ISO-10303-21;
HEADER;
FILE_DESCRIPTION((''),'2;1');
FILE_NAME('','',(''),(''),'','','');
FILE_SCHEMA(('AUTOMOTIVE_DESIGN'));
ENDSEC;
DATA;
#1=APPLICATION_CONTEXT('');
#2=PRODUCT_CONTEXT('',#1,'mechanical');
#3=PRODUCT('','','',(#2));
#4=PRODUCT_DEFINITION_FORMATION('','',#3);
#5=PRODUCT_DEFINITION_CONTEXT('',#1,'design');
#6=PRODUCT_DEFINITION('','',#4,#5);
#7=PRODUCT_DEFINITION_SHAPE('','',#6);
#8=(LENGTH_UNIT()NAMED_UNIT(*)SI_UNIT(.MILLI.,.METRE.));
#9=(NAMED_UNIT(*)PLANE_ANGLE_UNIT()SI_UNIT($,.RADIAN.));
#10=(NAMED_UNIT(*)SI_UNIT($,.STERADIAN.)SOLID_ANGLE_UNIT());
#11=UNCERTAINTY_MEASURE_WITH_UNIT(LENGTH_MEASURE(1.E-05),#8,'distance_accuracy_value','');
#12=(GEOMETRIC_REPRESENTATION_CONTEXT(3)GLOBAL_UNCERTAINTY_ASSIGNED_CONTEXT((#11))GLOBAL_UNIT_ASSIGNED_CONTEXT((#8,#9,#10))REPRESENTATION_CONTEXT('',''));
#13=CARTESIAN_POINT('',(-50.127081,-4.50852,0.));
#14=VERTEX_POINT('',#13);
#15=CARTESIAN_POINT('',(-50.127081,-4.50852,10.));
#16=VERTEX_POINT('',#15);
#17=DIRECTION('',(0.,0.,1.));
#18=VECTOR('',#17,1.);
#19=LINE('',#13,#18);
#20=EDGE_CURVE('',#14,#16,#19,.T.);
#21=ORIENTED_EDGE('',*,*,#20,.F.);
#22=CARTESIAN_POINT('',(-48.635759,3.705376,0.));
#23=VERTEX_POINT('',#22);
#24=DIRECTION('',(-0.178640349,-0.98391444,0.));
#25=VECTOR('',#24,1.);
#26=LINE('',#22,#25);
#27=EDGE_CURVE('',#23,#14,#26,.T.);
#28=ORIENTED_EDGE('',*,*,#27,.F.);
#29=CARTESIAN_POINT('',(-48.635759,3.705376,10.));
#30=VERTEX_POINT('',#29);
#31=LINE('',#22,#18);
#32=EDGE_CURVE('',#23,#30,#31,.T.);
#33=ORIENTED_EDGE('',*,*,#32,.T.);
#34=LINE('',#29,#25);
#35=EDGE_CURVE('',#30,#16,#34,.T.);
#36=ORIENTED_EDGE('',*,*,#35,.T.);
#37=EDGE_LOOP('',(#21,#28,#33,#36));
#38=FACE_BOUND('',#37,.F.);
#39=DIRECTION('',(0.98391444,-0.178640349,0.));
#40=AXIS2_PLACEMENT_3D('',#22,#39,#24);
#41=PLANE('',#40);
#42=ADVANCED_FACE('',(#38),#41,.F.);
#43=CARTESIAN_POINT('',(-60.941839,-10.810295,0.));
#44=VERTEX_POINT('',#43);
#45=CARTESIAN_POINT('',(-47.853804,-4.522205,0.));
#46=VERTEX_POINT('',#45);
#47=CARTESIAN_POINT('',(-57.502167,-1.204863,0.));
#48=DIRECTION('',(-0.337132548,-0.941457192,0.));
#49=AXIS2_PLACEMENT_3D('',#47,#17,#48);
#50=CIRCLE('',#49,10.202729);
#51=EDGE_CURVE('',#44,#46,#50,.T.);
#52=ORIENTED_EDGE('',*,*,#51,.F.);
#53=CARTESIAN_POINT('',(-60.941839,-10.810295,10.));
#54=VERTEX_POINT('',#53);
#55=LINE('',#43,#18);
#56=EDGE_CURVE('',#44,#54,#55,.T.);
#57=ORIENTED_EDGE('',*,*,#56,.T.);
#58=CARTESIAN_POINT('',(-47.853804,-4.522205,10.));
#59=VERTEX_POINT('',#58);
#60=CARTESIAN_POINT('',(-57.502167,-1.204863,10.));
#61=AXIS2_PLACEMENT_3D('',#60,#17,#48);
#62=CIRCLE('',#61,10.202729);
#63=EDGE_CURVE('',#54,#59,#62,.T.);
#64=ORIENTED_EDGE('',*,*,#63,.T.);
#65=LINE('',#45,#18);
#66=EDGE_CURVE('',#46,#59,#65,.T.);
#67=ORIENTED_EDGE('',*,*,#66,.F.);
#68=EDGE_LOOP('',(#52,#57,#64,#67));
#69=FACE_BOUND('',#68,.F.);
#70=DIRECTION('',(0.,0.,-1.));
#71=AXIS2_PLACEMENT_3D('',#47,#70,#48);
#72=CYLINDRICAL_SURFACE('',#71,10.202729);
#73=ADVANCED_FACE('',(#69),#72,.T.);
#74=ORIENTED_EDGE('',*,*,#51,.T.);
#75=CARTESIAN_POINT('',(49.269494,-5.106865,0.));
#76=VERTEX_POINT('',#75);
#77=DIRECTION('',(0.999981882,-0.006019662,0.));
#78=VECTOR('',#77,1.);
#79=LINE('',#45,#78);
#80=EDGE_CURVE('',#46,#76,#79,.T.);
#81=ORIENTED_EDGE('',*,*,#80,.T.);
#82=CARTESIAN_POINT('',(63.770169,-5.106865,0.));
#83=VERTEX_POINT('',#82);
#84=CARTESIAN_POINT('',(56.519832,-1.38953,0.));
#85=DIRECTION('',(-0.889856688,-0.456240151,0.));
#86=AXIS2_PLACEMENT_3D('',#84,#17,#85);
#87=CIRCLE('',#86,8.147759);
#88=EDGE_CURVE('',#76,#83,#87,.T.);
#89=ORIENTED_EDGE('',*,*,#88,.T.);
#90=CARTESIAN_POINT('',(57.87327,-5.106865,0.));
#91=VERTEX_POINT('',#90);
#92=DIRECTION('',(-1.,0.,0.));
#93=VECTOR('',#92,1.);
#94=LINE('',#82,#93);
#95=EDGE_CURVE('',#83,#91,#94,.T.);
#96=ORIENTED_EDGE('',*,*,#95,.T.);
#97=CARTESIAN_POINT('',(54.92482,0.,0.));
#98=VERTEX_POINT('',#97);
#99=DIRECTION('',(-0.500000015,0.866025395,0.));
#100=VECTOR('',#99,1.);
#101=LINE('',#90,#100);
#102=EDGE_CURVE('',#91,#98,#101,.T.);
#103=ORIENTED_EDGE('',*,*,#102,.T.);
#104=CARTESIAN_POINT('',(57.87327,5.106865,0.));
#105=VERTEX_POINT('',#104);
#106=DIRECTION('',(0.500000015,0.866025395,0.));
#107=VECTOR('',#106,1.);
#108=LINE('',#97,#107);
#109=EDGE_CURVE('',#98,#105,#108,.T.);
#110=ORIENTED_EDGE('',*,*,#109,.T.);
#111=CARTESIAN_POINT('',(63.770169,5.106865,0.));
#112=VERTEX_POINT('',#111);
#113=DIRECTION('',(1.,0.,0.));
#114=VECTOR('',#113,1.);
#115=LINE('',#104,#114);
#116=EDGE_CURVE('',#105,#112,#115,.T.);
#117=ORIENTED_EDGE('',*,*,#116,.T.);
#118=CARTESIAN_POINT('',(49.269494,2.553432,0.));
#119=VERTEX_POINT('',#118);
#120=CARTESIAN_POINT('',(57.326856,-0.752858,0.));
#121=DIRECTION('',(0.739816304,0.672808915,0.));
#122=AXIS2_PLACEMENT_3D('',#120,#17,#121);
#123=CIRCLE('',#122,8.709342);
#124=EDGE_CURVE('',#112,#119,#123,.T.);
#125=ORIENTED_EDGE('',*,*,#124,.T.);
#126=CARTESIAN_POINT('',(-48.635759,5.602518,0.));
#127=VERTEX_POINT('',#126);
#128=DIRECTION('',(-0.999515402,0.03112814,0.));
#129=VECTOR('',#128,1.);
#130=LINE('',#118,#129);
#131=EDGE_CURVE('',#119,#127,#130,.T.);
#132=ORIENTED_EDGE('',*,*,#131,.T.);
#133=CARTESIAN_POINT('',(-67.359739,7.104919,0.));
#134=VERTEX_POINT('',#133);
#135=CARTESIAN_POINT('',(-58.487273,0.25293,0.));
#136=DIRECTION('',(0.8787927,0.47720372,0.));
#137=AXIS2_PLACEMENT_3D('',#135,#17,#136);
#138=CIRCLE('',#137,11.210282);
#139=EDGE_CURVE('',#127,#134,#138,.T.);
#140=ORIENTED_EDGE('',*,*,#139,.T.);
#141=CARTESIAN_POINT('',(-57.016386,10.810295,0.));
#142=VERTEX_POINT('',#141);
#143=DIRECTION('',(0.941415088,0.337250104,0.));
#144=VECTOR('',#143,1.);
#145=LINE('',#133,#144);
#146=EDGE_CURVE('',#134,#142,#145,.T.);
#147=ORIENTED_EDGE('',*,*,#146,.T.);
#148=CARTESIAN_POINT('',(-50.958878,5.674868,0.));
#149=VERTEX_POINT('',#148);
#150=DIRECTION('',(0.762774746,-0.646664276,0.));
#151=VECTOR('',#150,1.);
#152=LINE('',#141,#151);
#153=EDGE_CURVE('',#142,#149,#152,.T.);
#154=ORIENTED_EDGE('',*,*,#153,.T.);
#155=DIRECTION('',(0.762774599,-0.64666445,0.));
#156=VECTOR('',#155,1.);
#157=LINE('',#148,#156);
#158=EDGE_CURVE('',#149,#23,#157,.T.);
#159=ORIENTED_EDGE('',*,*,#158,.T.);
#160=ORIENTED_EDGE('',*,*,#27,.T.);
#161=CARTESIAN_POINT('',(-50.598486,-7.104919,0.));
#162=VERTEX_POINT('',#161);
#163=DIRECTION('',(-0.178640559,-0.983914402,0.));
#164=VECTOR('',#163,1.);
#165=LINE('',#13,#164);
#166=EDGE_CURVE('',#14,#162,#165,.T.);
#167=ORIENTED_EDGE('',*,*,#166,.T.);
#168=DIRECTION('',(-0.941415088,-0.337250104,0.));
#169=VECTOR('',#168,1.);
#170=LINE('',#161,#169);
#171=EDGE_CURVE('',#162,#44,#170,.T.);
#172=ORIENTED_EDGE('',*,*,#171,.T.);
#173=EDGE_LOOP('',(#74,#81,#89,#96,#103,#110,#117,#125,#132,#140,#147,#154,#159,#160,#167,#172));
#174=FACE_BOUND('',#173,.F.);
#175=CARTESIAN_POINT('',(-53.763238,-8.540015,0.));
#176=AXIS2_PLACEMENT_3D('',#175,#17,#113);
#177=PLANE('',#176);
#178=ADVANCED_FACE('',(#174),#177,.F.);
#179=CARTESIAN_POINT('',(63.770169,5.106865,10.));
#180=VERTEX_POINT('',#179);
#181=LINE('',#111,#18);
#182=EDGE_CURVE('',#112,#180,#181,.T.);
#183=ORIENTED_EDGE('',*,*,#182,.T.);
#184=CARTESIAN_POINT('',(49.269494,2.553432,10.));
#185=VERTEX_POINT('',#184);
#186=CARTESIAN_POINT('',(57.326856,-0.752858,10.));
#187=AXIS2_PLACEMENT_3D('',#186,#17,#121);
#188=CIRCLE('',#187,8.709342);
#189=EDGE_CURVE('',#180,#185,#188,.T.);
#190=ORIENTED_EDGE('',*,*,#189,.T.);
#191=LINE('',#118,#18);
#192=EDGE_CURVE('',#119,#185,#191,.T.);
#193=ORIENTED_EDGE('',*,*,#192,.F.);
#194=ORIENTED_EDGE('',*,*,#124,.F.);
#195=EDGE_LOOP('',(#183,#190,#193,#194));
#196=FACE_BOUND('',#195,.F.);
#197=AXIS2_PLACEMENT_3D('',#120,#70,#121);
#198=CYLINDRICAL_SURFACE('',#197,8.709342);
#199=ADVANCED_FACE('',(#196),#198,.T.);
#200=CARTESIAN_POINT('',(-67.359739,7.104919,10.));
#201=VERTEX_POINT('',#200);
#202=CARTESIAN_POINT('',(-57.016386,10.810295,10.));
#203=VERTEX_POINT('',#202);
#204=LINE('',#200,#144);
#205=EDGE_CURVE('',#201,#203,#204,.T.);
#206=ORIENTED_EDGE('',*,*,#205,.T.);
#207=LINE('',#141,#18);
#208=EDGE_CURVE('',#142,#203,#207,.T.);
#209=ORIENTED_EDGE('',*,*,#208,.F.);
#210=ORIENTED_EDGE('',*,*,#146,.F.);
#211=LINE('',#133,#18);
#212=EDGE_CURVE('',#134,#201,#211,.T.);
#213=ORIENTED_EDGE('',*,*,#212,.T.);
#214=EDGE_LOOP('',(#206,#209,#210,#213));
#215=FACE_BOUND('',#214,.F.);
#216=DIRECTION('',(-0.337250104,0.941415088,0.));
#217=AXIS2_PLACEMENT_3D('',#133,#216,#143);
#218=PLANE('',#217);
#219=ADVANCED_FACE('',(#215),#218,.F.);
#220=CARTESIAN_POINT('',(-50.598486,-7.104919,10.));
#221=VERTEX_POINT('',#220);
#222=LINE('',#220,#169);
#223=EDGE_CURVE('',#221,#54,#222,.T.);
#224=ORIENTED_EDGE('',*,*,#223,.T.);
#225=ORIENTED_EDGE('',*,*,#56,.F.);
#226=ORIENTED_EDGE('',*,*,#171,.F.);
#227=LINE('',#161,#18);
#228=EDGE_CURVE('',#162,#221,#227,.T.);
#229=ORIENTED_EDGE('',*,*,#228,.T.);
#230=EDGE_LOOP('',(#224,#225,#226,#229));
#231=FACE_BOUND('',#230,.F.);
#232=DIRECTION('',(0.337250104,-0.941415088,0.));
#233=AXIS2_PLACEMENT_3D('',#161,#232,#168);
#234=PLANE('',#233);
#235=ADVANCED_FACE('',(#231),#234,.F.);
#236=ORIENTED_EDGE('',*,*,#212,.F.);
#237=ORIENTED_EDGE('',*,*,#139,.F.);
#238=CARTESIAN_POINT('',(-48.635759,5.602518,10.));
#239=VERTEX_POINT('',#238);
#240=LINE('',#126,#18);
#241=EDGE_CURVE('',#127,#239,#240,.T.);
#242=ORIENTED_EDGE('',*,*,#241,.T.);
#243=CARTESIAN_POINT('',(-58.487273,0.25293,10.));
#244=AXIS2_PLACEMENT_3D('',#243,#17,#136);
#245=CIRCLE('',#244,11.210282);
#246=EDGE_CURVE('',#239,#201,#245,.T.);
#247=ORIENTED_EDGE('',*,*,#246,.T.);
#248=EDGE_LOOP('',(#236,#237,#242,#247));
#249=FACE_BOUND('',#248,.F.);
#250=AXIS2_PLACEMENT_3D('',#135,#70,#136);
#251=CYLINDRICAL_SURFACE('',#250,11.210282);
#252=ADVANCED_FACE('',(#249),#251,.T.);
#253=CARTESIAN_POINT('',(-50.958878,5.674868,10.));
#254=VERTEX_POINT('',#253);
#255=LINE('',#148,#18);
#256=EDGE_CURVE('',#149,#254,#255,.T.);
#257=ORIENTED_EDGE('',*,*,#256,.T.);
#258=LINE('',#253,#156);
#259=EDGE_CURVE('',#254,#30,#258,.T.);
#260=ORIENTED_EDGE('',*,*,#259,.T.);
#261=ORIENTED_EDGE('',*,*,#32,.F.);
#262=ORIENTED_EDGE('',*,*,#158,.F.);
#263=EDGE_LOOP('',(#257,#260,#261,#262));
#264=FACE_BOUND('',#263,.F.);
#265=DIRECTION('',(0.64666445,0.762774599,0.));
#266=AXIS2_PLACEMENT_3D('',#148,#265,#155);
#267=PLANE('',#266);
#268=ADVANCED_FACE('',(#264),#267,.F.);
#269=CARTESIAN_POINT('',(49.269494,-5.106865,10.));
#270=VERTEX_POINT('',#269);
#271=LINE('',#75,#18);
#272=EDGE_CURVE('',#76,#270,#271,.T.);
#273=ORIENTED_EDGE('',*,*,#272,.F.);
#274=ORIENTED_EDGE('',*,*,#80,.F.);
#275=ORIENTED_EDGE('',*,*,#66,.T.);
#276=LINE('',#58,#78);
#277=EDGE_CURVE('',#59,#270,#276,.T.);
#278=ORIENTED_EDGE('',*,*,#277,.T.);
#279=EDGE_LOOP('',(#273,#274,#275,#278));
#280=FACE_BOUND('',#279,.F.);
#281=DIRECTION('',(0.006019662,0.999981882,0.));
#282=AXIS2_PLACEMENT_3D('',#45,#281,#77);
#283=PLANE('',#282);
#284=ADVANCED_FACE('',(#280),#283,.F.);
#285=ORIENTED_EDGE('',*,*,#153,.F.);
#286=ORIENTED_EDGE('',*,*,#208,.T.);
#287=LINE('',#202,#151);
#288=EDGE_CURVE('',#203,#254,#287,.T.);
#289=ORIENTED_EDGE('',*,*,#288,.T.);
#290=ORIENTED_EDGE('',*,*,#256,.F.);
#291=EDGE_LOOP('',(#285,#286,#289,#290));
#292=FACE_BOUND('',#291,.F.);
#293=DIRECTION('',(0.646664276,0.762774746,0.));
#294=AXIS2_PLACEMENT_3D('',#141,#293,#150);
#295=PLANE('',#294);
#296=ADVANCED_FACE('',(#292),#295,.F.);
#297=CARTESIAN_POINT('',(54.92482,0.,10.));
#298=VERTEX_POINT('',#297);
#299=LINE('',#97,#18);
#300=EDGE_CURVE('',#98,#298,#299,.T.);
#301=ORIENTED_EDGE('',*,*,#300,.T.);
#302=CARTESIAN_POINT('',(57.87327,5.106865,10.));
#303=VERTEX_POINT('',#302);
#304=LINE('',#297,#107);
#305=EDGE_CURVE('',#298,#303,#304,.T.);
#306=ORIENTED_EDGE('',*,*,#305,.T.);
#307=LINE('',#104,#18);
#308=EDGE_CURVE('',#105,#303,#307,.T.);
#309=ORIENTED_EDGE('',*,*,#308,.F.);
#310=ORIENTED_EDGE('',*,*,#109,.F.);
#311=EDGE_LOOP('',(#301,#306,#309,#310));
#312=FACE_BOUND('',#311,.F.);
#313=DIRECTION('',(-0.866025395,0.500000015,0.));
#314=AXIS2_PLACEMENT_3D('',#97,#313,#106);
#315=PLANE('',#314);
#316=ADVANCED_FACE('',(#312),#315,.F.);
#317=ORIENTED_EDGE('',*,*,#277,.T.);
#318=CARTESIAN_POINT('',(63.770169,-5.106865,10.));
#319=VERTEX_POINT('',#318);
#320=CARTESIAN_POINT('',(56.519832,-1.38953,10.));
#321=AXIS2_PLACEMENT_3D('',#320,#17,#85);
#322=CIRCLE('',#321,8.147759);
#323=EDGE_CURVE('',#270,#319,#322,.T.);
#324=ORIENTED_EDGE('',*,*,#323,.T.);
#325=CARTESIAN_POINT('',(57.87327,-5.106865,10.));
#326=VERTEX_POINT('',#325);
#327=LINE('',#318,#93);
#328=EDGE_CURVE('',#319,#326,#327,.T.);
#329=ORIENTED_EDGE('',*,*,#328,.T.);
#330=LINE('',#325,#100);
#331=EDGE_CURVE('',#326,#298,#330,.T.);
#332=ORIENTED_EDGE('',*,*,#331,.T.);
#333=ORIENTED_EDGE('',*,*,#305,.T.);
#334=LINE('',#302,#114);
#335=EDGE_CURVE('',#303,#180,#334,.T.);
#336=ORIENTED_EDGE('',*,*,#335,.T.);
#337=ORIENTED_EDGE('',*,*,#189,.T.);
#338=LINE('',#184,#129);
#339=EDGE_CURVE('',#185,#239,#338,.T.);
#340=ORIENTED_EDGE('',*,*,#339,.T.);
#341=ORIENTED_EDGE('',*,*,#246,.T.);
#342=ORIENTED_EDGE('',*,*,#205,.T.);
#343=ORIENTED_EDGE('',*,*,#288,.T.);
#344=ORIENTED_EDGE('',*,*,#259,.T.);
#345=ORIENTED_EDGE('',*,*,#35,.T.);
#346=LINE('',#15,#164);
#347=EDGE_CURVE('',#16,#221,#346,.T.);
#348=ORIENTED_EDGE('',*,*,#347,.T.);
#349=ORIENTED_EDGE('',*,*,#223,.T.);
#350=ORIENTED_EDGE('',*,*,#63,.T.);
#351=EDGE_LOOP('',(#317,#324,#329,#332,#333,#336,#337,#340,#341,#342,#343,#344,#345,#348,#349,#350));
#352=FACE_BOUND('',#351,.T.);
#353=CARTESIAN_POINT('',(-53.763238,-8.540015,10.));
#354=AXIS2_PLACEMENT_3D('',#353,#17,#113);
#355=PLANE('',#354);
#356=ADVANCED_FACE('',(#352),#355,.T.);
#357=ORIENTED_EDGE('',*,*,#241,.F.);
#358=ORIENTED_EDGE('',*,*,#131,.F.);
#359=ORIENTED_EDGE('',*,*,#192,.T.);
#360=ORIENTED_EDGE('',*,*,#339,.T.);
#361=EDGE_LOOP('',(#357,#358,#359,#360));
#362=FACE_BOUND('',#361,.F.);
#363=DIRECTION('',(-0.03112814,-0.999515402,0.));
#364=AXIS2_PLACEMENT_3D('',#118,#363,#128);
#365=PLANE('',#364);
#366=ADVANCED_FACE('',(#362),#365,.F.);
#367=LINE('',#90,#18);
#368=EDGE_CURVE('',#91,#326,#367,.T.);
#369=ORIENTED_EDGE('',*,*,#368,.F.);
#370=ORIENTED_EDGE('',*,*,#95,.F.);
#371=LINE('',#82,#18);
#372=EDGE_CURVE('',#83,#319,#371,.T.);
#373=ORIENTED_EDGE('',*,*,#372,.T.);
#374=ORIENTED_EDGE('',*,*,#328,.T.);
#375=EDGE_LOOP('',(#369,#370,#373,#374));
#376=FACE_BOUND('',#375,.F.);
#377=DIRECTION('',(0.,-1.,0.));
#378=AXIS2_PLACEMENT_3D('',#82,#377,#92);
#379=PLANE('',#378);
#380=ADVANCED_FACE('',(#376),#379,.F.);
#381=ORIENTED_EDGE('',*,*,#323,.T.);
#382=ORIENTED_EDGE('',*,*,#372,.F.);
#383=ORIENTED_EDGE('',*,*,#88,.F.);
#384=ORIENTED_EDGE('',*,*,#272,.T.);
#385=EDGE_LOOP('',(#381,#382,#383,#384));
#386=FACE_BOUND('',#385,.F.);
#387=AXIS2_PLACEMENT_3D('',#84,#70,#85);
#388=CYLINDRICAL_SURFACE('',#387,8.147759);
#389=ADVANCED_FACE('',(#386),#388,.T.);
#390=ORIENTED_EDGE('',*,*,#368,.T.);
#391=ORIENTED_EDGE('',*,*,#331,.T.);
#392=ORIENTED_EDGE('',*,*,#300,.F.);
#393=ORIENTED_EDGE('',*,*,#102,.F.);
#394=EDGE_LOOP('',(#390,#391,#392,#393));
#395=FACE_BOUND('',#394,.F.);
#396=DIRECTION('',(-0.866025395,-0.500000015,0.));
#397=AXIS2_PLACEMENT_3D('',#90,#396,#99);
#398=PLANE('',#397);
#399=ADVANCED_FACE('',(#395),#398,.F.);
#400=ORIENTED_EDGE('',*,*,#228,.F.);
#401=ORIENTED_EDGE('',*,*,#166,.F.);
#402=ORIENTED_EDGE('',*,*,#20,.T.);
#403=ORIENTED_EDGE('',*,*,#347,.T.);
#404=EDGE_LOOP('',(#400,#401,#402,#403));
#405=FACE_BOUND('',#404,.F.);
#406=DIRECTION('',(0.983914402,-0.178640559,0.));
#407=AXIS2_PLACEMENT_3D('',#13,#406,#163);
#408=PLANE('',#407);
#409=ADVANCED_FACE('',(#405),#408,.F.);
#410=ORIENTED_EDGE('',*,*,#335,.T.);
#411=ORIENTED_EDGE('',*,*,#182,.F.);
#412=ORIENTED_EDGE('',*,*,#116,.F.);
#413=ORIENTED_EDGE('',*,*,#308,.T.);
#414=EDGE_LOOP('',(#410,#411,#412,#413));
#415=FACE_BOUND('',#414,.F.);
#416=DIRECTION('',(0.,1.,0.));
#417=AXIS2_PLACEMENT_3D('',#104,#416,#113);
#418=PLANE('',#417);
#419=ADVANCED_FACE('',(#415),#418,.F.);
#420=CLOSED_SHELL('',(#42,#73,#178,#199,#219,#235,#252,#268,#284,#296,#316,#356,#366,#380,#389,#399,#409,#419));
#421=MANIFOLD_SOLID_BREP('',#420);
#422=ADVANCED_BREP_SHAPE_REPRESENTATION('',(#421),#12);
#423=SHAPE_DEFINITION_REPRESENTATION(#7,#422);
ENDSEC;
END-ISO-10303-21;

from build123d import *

# Parameters (mm, degrees)
F1_DEPTH = 10


with BuildPart() as f1:
    # F0 (on Top) → F1 (new body)
    with BuildSketch(Plane.XY):
        with BuildLine():
            Line((-50.127081, -4.50852), (-50.598486, -7.104919))
            Line((-50.598486, -7.104919), (-60.941839, -10.810295))
            ThreePointArc((-60.941839, -10.810295), (-53.083798, -10.401258), (-47.853804, -4.522205))
            Line((-47.853804, -4.522205), (-50.127081, -4.50852))
        make_face()
        with BuildLine():
            Line((-48.635759, 3.705376), (-50.127081, -4.50852))
            Line((-50.127081, -4.50852), (-47.853804, -4.522205))
            Line((-47.853804, -4.522205), (49.269494, -5.106865))
            ThreePointArc((49.269494, -5.106865), (56.519831, -9.537289), (63.770169, -5.106865))
            Line((63.770169, -5.106865), (57.87327, -5.106865))
            Line((57.87327, -5.106865), (54.92482, 0))
            Line((54.92482, 0), (57.87327, 5.106865))
            Line((57.87327, 5.106865), (63.770169, 5.106865))
            ThreePointArc((63.770169, 5.106865), (55.816461, 7.824516), (49.269494, 2.553432))
            Line((49.269494, 2.553432), (-48.635759, 5.602518))
            Line((-48.635759, 5.602518), (-50.958878, 5.674868))
            Line((-50.958878, 5.674868), (-48.635759, 3.705376))
        make_face()
        with BuildLine():
            Line((-57.016386, 10.810295), (-50.958878, 5.674868))
            Line((-50.958878, 5.674868), (-48.635759, 5.602518))
            ThreePointArc((-48.635759, 5.602518), (-57.590649, 11.427297), (-67.359739, 7.104919))
            Line((-67.359739, 7.104919), (-57.016386, 10.810295))
        make_face()
    extrude(amount=F1_DEPTH)


solid = f1.part
